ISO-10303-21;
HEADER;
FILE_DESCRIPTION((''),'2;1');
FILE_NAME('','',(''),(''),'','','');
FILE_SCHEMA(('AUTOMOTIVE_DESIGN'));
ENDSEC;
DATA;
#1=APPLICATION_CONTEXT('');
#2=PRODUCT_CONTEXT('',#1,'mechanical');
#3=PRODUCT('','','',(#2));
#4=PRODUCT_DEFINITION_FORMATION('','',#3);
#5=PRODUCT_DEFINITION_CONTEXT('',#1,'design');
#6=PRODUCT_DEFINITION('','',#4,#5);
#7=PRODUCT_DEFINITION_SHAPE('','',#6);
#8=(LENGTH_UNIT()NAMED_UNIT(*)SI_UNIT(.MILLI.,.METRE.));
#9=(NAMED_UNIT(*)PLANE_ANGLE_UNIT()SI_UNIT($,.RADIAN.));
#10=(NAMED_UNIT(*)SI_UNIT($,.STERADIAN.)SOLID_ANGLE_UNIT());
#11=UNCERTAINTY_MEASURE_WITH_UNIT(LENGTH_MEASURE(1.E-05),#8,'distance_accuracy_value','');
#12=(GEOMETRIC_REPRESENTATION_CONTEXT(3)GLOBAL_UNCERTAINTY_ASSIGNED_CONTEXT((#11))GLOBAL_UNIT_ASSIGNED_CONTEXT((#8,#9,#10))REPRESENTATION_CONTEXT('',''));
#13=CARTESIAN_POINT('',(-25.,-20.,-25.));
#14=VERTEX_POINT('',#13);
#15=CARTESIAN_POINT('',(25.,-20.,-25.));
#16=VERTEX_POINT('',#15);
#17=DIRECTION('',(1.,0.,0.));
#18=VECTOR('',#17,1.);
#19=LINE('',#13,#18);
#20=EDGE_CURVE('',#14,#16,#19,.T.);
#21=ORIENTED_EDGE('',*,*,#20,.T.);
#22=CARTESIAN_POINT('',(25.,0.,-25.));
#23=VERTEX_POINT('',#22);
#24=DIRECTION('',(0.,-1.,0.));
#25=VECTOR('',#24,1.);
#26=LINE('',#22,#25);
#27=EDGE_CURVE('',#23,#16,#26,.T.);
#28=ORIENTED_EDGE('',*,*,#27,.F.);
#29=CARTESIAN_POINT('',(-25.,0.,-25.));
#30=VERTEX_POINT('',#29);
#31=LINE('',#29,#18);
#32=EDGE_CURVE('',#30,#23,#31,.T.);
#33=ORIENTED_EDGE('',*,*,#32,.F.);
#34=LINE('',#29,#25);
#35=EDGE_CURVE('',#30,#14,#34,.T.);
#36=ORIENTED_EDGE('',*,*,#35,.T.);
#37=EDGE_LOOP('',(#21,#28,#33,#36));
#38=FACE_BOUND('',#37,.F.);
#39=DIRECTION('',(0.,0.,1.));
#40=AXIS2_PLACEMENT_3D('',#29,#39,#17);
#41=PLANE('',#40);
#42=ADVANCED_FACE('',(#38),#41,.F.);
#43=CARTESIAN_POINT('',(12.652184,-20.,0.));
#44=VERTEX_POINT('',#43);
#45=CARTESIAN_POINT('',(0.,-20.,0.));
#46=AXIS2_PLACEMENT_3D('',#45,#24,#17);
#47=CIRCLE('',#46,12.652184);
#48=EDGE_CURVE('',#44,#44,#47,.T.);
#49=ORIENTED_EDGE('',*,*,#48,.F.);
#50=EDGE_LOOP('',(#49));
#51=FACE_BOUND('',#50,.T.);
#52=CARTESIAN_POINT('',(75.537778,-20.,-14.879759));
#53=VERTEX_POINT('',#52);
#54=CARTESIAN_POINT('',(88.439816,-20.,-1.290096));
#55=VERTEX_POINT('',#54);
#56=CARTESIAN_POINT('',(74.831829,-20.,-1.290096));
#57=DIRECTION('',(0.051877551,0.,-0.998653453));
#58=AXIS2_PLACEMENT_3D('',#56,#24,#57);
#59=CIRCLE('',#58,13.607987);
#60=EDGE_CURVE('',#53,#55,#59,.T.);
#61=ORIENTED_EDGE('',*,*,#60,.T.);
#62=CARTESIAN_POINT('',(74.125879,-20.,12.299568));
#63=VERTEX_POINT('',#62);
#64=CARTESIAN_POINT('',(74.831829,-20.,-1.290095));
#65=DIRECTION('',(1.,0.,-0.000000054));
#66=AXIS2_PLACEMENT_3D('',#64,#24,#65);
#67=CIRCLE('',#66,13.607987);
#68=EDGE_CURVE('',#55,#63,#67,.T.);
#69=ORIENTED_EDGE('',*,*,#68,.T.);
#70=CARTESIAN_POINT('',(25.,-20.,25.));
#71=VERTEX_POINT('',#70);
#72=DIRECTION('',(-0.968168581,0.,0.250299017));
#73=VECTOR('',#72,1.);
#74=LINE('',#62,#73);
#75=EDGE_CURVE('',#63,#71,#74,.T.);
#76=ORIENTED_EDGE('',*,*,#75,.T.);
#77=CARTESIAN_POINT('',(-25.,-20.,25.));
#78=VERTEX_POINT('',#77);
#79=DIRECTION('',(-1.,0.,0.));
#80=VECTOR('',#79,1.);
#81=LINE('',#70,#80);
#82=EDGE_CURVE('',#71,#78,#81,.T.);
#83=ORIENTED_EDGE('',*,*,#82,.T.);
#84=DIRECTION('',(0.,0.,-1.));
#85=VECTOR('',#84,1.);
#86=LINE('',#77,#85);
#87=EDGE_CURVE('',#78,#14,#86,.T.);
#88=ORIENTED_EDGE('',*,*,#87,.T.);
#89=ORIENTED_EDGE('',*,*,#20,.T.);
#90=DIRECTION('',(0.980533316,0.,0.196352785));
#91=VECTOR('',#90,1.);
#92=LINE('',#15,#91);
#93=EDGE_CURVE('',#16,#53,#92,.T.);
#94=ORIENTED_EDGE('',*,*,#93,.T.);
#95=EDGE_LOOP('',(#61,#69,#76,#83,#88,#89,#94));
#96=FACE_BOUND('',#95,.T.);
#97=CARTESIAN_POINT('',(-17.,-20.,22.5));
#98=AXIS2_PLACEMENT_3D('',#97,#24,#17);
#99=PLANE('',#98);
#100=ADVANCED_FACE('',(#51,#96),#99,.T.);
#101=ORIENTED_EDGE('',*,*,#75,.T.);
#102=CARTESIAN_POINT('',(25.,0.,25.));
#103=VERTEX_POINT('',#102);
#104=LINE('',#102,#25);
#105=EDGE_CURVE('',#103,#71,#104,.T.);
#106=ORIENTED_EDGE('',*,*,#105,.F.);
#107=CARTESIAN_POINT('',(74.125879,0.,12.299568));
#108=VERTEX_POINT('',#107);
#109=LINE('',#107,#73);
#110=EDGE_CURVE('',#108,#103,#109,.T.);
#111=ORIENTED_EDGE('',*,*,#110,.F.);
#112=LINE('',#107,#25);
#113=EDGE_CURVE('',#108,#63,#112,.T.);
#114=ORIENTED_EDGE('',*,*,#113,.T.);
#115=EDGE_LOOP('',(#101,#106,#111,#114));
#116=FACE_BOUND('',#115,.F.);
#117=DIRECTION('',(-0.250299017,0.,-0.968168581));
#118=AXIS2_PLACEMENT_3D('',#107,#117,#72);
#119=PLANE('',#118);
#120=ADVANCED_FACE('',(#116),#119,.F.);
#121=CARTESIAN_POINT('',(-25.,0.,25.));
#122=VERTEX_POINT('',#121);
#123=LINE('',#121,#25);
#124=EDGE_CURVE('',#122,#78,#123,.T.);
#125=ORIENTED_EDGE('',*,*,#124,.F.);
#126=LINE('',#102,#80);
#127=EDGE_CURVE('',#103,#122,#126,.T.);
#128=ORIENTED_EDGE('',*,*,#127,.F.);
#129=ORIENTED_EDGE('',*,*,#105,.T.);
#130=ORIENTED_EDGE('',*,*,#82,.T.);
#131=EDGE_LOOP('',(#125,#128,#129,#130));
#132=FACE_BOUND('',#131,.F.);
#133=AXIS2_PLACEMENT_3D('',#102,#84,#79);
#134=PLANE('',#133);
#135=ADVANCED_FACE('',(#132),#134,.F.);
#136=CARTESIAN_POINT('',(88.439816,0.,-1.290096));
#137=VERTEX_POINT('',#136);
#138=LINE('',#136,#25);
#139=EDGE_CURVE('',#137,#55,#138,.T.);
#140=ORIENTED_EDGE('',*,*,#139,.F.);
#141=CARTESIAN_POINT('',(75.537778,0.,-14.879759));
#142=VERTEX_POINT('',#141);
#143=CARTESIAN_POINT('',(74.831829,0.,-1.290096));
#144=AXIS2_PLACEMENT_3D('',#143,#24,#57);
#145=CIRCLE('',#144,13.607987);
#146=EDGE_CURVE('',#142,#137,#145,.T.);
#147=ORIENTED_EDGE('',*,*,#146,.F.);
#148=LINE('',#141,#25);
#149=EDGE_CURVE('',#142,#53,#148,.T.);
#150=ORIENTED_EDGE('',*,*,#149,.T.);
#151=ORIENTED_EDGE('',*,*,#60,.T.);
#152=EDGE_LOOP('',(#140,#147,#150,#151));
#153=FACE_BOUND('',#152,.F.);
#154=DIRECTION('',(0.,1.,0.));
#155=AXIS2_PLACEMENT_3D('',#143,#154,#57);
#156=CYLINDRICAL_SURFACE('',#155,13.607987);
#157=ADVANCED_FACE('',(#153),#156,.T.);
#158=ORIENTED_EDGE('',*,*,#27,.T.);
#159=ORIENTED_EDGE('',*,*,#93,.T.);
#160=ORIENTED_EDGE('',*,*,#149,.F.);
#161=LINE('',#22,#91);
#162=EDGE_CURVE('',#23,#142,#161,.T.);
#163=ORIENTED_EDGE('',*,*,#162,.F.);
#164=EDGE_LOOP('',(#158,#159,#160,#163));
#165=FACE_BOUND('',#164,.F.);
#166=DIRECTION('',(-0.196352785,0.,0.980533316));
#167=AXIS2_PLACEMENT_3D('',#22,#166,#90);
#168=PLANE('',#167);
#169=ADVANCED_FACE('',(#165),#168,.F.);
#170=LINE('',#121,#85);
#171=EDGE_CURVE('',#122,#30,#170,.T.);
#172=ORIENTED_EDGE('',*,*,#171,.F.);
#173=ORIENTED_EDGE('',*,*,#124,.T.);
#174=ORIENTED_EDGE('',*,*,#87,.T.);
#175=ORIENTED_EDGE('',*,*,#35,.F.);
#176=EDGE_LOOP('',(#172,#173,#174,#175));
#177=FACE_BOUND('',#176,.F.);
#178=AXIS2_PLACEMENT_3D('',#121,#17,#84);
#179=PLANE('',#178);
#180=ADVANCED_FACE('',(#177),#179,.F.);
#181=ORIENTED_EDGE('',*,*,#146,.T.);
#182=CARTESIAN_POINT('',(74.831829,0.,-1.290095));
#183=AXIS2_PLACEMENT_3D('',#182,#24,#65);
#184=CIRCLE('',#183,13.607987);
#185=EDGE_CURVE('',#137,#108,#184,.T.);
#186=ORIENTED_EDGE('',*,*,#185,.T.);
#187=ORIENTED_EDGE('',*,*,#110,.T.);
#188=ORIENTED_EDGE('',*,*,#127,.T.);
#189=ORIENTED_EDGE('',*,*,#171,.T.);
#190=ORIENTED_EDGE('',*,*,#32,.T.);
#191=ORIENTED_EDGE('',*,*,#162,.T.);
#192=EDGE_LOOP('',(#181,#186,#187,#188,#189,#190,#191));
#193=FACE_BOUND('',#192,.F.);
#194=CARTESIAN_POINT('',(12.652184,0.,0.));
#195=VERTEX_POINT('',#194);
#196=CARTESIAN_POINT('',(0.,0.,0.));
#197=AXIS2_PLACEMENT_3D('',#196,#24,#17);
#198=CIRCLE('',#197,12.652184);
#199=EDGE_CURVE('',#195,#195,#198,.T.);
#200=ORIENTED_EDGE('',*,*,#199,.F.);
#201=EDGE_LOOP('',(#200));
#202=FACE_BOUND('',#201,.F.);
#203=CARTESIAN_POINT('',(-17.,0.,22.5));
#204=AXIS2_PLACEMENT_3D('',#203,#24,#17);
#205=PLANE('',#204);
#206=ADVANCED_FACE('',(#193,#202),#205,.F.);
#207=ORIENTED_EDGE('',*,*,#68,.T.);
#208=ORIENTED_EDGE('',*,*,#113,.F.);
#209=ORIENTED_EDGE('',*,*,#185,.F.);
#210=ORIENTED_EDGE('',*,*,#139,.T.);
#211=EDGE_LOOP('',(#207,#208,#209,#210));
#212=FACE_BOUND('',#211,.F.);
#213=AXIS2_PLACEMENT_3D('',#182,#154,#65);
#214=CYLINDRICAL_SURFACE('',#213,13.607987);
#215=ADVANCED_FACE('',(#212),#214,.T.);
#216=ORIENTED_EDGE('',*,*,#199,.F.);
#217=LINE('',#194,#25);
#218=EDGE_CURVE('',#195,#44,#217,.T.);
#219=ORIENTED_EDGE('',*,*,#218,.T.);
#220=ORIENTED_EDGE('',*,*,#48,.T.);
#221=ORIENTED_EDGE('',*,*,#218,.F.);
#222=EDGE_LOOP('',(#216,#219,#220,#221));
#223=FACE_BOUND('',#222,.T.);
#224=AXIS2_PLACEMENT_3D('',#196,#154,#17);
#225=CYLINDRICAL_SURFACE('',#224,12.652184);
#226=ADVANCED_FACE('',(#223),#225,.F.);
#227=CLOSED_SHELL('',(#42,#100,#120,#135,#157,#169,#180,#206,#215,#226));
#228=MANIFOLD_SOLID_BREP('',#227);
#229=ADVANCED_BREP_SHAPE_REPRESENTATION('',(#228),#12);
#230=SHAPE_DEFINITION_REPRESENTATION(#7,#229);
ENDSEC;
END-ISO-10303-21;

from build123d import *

# Parameters (mm, degrees)
F0_W     = 16
F0_H     = 5
F0_R     = 12.652184
F1_DEPTH = 20


with BuildPart() as f1:
    # F0 (on Front) → F1 (new body)
    with BuildSketch(Plane.XZ):
        with Locations((-17, 22.5)):
            Rectangle(F0_W, F0_H)
        Polygon((25, 25), (-9, 25), (-9, 20), (-25, 20), (-25, -20), (-9, -20), (-9, -25), (25, -25), align=None)
        Circle(F0_R, mode=Mode.SUBTRACT)
        with BuildLine():
            Line((74.125879, 12.299568), (25, 25))
            Line((25, 25), (25, -25))
            Line((25, -25), (75.537778, -14.879759))
            ThreePointArc((75.537778, -14.879759), (61.242165, -1.996045), (74.125879, 12.299568))
        make_face()
        with Locations((-17, -22.5)):
            Rectangle(F0_W, F0_H)
        with BuildLine():
            ThreePointArc((88.439816, -1.290096), (84.201214, 8.57864), (74.125879, 12.299568))
            ThreePointArc((74.125879, 12.299568), (61.242165, -1.996045), (75.537778, -14.879759))
            ThreePointArc((75.537778, -14.879759), (84.700564, -10.659481), (88.439816, -1.290096))
        make_face()
    extrude(amount=F1_DEPTH)


solid = f1.part
